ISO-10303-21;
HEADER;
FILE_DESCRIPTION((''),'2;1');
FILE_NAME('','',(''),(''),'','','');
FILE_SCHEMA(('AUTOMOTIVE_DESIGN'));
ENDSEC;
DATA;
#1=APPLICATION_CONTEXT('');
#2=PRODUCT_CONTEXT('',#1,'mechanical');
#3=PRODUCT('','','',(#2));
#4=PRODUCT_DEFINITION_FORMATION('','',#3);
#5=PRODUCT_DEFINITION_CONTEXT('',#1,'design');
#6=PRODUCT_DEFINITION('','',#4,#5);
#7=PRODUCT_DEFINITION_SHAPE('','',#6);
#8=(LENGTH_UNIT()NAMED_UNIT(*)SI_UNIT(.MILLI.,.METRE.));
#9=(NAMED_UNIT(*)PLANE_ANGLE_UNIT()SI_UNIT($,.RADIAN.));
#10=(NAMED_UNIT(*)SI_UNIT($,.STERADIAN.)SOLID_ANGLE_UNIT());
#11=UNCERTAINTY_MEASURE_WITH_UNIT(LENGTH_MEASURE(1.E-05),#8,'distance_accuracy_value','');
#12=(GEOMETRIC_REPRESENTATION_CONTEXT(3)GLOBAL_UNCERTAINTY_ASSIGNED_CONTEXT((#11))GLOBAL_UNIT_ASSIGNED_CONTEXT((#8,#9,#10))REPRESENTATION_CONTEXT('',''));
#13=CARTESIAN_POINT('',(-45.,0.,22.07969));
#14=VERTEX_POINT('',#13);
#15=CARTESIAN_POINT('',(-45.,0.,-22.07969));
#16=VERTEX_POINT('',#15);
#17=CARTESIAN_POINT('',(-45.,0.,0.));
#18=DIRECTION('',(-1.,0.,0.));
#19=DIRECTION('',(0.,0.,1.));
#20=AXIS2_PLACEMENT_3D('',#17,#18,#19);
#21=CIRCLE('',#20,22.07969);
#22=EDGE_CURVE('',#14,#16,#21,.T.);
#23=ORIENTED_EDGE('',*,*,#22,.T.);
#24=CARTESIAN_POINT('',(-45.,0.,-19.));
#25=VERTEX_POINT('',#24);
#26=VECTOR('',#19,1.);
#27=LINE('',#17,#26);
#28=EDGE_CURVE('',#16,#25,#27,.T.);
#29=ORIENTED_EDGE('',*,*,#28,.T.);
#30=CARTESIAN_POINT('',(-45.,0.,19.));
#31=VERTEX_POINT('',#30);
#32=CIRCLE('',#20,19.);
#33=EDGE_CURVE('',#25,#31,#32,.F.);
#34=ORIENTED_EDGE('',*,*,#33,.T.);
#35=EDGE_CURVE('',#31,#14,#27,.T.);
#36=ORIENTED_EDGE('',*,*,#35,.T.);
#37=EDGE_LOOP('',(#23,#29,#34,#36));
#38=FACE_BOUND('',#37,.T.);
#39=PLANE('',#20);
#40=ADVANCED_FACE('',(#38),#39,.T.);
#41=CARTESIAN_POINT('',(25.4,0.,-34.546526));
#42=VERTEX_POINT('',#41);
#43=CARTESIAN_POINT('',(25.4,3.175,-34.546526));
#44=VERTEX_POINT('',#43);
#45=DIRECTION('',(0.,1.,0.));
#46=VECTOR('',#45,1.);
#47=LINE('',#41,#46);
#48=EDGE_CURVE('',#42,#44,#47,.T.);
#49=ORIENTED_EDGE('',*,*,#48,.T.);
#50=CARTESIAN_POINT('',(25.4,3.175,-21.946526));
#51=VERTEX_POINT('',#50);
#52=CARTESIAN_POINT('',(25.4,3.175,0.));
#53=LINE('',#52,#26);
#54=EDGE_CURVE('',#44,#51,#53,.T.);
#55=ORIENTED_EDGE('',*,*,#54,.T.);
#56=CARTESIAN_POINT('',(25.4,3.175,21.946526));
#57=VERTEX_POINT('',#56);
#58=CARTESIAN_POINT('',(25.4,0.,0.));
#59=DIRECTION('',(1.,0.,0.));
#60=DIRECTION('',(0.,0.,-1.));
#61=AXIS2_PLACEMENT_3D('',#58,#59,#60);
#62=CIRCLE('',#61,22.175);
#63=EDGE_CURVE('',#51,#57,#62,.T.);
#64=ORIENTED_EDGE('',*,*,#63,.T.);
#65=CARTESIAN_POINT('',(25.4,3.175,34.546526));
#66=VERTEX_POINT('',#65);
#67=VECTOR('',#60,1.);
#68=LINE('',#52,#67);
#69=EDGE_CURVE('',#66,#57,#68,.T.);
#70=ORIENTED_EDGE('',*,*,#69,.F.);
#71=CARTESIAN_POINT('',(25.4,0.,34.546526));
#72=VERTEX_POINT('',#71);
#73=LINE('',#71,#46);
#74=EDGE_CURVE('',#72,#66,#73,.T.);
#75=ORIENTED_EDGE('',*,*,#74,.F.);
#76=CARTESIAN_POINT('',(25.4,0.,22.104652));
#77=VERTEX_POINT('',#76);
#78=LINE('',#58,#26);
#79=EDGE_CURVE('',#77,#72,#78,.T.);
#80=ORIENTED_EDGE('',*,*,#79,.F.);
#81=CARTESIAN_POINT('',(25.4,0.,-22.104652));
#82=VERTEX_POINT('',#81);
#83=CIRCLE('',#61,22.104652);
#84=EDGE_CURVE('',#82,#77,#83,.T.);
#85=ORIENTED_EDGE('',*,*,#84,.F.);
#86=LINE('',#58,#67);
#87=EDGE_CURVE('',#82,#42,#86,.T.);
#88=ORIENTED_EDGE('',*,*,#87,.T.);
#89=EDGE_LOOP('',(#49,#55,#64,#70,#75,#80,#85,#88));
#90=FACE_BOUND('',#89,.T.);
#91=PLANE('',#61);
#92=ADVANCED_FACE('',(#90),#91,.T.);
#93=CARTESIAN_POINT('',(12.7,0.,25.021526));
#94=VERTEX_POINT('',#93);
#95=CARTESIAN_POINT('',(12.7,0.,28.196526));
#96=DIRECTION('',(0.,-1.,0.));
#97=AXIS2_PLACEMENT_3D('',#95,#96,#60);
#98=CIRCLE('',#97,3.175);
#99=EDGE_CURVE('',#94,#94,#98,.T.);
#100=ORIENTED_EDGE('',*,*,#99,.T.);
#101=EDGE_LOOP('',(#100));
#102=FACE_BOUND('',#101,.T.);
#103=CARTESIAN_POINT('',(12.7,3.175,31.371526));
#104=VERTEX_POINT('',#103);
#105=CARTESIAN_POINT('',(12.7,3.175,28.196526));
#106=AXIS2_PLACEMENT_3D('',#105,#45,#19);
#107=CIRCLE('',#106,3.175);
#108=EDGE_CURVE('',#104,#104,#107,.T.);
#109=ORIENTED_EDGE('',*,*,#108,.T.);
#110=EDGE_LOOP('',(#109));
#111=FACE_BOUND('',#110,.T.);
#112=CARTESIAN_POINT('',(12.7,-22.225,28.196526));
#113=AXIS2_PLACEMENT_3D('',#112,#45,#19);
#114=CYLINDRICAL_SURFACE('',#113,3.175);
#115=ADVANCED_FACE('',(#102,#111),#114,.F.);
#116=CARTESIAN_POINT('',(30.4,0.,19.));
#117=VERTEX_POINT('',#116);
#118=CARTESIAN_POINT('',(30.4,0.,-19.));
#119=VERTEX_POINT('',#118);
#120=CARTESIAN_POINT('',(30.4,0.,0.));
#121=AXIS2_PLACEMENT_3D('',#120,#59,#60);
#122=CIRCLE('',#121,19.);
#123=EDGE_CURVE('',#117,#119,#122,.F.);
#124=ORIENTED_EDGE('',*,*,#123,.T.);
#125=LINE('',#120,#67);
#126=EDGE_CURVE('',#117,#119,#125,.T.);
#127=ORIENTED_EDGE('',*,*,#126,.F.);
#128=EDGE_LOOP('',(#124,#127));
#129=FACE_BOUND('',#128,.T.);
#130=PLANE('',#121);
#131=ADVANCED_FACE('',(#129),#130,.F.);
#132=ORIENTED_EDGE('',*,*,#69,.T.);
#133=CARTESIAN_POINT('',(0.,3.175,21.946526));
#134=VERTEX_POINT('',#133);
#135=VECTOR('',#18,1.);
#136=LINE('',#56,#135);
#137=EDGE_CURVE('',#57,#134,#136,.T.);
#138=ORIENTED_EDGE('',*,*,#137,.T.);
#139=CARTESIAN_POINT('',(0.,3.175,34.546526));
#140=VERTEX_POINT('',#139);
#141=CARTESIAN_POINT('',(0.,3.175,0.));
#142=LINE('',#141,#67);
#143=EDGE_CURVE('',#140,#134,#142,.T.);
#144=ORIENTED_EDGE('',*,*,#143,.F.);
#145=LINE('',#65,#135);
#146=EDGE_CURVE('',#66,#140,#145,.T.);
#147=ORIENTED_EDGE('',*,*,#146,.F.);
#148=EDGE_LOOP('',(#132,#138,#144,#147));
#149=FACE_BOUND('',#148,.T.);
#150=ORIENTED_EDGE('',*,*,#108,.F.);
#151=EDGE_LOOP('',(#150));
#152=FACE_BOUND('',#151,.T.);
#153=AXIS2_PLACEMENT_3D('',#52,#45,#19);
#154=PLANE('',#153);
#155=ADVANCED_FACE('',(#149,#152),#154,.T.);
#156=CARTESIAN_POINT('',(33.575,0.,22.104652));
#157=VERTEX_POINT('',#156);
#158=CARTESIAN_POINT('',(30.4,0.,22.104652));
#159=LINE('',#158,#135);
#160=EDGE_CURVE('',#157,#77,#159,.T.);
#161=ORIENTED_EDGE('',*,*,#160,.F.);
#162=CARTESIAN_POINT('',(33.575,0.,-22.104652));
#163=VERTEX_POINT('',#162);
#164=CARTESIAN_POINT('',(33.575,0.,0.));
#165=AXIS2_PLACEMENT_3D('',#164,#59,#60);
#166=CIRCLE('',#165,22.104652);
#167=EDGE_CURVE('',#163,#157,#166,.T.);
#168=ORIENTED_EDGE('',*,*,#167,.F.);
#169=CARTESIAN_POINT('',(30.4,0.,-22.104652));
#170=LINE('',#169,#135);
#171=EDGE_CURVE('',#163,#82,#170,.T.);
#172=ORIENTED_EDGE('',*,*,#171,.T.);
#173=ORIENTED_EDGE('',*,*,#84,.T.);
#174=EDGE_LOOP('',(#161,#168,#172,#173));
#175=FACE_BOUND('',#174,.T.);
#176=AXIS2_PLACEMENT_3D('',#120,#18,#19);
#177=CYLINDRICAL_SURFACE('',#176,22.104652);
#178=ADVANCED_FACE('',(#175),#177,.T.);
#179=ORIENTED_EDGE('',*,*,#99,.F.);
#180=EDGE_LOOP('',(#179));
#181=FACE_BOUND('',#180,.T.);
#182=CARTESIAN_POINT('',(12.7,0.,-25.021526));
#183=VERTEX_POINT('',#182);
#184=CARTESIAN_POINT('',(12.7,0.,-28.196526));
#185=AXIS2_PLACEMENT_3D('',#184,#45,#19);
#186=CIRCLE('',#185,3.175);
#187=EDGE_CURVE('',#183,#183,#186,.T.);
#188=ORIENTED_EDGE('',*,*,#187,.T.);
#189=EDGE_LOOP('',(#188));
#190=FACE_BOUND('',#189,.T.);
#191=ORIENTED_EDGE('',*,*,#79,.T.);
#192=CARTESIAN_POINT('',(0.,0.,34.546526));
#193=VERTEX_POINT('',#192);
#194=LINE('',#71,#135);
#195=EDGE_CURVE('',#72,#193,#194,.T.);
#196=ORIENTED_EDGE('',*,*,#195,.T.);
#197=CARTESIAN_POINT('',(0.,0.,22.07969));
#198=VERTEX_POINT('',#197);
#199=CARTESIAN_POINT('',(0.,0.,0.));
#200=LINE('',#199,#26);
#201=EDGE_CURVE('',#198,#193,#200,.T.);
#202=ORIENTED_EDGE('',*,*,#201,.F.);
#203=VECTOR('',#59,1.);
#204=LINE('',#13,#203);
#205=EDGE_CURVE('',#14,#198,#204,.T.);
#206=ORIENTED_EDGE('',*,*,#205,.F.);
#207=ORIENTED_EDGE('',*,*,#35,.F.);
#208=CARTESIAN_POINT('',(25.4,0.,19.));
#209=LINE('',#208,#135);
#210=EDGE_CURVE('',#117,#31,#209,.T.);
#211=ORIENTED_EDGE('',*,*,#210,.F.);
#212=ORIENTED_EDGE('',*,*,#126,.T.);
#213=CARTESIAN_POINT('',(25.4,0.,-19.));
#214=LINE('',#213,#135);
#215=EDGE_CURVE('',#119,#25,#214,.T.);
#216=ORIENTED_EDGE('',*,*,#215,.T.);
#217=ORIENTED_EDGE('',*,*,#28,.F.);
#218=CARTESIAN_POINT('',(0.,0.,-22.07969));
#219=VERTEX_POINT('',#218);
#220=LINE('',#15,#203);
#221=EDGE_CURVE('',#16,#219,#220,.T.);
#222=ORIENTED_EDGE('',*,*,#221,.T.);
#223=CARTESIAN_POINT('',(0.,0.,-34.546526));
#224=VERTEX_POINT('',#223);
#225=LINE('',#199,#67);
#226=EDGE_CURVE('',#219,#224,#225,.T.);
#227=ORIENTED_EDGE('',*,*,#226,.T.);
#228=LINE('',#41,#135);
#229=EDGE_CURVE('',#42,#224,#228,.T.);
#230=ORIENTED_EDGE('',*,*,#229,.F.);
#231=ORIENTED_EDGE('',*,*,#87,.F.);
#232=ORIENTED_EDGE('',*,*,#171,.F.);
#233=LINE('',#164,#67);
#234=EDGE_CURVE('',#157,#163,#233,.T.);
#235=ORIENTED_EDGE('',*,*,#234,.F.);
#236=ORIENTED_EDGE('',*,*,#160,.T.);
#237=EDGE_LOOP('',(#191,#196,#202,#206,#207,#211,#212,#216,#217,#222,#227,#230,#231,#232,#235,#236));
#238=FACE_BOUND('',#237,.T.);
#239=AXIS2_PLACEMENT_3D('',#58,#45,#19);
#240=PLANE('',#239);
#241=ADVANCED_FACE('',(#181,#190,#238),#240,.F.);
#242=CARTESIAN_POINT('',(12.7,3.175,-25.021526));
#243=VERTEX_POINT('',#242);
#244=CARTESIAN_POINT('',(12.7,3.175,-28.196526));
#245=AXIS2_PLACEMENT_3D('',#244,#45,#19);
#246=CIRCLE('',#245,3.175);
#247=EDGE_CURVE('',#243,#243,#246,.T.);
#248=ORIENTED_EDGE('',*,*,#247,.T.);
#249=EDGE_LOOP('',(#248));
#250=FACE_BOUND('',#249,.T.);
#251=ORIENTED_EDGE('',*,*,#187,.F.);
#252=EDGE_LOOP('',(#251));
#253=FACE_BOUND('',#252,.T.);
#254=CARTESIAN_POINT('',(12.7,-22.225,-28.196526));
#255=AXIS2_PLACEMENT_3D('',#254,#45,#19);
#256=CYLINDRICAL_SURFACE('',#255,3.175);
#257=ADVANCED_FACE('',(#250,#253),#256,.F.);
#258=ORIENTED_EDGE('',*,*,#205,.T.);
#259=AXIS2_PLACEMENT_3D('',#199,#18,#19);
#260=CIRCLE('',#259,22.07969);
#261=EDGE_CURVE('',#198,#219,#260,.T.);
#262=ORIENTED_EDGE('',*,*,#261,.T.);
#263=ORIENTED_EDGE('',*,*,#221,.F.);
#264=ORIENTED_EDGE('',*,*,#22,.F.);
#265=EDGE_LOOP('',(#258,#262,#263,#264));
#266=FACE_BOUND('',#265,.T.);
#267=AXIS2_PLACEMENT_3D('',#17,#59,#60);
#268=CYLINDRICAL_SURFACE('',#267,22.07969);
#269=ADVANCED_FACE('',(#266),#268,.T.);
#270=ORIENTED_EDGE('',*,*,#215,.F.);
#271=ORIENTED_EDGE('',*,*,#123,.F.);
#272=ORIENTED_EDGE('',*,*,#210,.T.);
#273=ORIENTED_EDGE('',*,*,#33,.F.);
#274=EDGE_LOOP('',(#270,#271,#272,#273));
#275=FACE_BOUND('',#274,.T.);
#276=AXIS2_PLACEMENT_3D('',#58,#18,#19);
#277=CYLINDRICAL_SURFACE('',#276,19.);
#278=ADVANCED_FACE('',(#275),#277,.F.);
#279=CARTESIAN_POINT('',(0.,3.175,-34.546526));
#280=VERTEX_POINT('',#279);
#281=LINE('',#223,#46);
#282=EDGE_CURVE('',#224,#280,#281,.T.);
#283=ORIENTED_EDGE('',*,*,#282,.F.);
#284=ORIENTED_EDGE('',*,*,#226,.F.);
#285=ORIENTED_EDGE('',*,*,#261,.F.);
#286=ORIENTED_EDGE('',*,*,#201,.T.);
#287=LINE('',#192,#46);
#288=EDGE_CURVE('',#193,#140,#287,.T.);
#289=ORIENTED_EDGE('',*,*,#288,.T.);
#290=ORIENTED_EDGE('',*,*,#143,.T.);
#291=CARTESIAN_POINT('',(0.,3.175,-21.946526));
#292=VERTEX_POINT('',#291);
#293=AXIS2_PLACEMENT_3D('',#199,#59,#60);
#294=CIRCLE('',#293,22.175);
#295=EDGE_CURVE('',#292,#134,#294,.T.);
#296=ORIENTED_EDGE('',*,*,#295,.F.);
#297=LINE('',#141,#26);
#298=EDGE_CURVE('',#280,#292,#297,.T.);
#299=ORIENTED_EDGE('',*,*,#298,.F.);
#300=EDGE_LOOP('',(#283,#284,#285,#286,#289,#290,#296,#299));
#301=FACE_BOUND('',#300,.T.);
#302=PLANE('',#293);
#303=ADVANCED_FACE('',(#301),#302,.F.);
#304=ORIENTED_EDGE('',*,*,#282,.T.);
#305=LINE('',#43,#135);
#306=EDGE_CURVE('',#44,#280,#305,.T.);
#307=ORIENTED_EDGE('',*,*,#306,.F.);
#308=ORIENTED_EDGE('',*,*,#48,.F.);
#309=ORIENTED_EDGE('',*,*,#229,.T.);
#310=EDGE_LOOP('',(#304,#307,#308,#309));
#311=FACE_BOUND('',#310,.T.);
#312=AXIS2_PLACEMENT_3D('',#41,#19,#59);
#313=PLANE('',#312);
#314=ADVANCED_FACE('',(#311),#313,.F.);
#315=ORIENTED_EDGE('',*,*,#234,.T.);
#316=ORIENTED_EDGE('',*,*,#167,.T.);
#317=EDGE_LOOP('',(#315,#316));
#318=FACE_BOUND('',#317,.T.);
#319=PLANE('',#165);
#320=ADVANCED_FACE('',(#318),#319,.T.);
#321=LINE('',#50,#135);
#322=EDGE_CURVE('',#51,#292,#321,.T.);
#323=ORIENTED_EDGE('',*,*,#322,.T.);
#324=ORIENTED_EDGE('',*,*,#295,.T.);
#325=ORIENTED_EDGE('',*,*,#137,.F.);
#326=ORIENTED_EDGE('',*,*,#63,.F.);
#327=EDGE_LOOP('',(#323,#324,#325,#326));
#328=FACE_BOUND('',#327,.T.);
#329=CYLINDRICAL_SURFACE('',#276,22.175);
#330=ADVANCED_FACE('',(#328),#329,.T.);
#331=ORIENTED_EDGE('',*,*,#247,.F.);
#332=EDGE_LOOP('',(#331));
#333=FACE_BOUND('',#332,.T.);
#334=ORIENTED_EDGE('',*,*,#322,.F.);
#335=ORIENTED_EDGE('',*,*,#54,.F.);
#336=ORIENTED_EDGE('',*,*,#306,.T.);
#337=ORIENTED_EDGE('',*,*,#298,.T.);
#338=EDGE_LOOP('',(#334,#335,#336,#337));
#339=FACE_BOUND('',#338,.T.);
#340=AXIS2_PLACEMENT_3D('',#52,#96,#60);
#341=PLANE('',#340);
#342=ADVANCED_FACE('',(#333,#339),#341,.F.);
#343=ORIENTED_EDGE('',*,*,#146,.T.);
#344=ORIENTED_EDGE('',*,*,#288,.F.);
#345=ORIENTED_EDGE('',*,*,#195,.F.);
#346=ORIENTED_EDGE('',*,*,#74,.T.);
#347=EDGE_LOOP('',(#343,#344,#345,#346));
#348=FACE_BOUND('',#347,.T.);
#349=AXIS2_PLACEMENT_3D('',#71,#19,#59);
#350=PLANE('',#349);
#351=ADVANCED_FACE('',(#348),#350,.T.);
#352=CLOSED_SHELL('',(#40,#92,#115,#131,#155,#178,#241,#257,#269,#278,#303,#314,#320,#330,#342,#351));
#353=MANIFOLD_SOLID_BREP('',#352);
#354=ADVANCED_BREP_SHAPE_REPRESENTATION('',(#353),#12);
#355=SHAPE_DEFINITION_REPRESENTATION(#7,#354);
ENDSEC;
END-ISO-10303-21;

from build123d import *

# Parameters (mm, degrees)
BOSS_EXTRUDE1_DEPTH = 25.4
SKETCH2_R           = 3.175
CUT_EXTRUDE1_DEPTH  = 25.4
SKETCH3_R           = 3.175
CUT_EXTRUDE2_DEPTH  = 25.4
BOSS_EXTRUDE2_DEPTH = 5
BOSS_EXTRUDE3_DEPTH = 3.175
BOSS_EXTRUDE4_DEPTH = 45


with BuildPart() as part:
    # Sketch1 → Boss-Extrude1 (new body)
    with BuildSketch(Plane(origin=(0, 0, 0), x_dir=(0, 0, -1), z_dir=(1, 0, 0))):
        with BuildLine():
            Line((19, 0), (34.546525921, 0))
            Line((34.546525921, 0), (34.546525921, 3.175))
            Line((34.546525921, 3.175), (21.946525921, 3.175))
            ThreePointArc((21.946525921, 3.175), (0, 22.175), (-21.946525921, 3.175))
            Line((-21.946525921, 3.175), (-34.546525921, 3.175))
            Line((-34.546525921, 3.175), (-34.546525921, 0))
            Line((-34.546525921, 0), (-19, 0))
            ThreePointArc((-19, 0), (0, 19), (19, 0))
        make_face()
    extrude(amount=BOSS_EXTRUDE1_DEPTH)

    # Sketch2 → Cut-Extrude1 (cut)
    with BuildSketch(Plane(origin=(0, 3.175, 0), x_dir=(1, 0, 0), z_dir=(0, 1, 0))):
        with Locations(Location((12.7, -28.196525921, 0), (0, 0, 270))):
            Circle(SKETCH2_R)
    extrude(amount=-CUT_EXTRUDE1_DEPTH, mode=Mode.SUBTRACT)

    # Sketch3 → Cut-Extrude2 (cut)
    with BuildSketch(Plane(origin=(0, 3.175, 0), x_dir=(1, 0, 0), z_dir=(0, 1, 0))):
        with Locations(Location((12.7, 28.196525921, 0), (0, 0, 270))):
            Circle(SKETCH3_R)
    extrude(amount=-CUT_EXTRUDE2_DEPTH, mode=Mode.SUBTRACT)

    # Sketch4 → Boss-Extrude2 (add)
    with BuildSketch(Plane(origin=(25.4, 0, 0), x_dir=(0, 0, -1), z_dir=(1, 0, 0))):
        with BuildLine():
            Line((-22.104651978, 0), (-19, 0))
            ThreePointArc((-19, 0), (0, 19), (19, 0))
            Line((19, 0), (22.104651978, 0))
            ThreePointArc((22.104651978, 0), (0, 22.104651978), (-22.104651978, 0))
        make_face()
    extrude(amount=BOSS_EXTRUDE2_DEPTH)

    # Sketch5 → Boss-Extrude3 (add)
    with BuildSketch(Plane(origin=(30.4, 0, 0), x_dir=(0, 0, -1), z_dir=(1, 0, 0))):
        with BuildLine():
            ThreePointArc((22.104651978, 0), (0, 22.104651978), (-22.104651978, 0))
            Line((-22.104651978, 0), (22.104651978, 0))
        make_face()
    extrude(amount=BOSS_EXTRUDE3_DEPTH)

    # Sketch6 → Boss-Extrude4 (add)
    with BuildSketch(Plane.ZY):
        with BuildLine():
            ThreePointArc((-19, 0), (0, 19), (19, 0))
            Line((19, 0), (21.402036048, 0))
            Line((21.402036048, 0), (22.079689898, 0))
            ThreePointArc((22.079689898, 0), (0, 22.079689898), (-22.079689898, 0))
            Line((-22.079689898, 0), (-19, 0))
        make_face()
    extrude(amount=BOSS_EXTRUDE4_DEPTH)


solid = part.part
